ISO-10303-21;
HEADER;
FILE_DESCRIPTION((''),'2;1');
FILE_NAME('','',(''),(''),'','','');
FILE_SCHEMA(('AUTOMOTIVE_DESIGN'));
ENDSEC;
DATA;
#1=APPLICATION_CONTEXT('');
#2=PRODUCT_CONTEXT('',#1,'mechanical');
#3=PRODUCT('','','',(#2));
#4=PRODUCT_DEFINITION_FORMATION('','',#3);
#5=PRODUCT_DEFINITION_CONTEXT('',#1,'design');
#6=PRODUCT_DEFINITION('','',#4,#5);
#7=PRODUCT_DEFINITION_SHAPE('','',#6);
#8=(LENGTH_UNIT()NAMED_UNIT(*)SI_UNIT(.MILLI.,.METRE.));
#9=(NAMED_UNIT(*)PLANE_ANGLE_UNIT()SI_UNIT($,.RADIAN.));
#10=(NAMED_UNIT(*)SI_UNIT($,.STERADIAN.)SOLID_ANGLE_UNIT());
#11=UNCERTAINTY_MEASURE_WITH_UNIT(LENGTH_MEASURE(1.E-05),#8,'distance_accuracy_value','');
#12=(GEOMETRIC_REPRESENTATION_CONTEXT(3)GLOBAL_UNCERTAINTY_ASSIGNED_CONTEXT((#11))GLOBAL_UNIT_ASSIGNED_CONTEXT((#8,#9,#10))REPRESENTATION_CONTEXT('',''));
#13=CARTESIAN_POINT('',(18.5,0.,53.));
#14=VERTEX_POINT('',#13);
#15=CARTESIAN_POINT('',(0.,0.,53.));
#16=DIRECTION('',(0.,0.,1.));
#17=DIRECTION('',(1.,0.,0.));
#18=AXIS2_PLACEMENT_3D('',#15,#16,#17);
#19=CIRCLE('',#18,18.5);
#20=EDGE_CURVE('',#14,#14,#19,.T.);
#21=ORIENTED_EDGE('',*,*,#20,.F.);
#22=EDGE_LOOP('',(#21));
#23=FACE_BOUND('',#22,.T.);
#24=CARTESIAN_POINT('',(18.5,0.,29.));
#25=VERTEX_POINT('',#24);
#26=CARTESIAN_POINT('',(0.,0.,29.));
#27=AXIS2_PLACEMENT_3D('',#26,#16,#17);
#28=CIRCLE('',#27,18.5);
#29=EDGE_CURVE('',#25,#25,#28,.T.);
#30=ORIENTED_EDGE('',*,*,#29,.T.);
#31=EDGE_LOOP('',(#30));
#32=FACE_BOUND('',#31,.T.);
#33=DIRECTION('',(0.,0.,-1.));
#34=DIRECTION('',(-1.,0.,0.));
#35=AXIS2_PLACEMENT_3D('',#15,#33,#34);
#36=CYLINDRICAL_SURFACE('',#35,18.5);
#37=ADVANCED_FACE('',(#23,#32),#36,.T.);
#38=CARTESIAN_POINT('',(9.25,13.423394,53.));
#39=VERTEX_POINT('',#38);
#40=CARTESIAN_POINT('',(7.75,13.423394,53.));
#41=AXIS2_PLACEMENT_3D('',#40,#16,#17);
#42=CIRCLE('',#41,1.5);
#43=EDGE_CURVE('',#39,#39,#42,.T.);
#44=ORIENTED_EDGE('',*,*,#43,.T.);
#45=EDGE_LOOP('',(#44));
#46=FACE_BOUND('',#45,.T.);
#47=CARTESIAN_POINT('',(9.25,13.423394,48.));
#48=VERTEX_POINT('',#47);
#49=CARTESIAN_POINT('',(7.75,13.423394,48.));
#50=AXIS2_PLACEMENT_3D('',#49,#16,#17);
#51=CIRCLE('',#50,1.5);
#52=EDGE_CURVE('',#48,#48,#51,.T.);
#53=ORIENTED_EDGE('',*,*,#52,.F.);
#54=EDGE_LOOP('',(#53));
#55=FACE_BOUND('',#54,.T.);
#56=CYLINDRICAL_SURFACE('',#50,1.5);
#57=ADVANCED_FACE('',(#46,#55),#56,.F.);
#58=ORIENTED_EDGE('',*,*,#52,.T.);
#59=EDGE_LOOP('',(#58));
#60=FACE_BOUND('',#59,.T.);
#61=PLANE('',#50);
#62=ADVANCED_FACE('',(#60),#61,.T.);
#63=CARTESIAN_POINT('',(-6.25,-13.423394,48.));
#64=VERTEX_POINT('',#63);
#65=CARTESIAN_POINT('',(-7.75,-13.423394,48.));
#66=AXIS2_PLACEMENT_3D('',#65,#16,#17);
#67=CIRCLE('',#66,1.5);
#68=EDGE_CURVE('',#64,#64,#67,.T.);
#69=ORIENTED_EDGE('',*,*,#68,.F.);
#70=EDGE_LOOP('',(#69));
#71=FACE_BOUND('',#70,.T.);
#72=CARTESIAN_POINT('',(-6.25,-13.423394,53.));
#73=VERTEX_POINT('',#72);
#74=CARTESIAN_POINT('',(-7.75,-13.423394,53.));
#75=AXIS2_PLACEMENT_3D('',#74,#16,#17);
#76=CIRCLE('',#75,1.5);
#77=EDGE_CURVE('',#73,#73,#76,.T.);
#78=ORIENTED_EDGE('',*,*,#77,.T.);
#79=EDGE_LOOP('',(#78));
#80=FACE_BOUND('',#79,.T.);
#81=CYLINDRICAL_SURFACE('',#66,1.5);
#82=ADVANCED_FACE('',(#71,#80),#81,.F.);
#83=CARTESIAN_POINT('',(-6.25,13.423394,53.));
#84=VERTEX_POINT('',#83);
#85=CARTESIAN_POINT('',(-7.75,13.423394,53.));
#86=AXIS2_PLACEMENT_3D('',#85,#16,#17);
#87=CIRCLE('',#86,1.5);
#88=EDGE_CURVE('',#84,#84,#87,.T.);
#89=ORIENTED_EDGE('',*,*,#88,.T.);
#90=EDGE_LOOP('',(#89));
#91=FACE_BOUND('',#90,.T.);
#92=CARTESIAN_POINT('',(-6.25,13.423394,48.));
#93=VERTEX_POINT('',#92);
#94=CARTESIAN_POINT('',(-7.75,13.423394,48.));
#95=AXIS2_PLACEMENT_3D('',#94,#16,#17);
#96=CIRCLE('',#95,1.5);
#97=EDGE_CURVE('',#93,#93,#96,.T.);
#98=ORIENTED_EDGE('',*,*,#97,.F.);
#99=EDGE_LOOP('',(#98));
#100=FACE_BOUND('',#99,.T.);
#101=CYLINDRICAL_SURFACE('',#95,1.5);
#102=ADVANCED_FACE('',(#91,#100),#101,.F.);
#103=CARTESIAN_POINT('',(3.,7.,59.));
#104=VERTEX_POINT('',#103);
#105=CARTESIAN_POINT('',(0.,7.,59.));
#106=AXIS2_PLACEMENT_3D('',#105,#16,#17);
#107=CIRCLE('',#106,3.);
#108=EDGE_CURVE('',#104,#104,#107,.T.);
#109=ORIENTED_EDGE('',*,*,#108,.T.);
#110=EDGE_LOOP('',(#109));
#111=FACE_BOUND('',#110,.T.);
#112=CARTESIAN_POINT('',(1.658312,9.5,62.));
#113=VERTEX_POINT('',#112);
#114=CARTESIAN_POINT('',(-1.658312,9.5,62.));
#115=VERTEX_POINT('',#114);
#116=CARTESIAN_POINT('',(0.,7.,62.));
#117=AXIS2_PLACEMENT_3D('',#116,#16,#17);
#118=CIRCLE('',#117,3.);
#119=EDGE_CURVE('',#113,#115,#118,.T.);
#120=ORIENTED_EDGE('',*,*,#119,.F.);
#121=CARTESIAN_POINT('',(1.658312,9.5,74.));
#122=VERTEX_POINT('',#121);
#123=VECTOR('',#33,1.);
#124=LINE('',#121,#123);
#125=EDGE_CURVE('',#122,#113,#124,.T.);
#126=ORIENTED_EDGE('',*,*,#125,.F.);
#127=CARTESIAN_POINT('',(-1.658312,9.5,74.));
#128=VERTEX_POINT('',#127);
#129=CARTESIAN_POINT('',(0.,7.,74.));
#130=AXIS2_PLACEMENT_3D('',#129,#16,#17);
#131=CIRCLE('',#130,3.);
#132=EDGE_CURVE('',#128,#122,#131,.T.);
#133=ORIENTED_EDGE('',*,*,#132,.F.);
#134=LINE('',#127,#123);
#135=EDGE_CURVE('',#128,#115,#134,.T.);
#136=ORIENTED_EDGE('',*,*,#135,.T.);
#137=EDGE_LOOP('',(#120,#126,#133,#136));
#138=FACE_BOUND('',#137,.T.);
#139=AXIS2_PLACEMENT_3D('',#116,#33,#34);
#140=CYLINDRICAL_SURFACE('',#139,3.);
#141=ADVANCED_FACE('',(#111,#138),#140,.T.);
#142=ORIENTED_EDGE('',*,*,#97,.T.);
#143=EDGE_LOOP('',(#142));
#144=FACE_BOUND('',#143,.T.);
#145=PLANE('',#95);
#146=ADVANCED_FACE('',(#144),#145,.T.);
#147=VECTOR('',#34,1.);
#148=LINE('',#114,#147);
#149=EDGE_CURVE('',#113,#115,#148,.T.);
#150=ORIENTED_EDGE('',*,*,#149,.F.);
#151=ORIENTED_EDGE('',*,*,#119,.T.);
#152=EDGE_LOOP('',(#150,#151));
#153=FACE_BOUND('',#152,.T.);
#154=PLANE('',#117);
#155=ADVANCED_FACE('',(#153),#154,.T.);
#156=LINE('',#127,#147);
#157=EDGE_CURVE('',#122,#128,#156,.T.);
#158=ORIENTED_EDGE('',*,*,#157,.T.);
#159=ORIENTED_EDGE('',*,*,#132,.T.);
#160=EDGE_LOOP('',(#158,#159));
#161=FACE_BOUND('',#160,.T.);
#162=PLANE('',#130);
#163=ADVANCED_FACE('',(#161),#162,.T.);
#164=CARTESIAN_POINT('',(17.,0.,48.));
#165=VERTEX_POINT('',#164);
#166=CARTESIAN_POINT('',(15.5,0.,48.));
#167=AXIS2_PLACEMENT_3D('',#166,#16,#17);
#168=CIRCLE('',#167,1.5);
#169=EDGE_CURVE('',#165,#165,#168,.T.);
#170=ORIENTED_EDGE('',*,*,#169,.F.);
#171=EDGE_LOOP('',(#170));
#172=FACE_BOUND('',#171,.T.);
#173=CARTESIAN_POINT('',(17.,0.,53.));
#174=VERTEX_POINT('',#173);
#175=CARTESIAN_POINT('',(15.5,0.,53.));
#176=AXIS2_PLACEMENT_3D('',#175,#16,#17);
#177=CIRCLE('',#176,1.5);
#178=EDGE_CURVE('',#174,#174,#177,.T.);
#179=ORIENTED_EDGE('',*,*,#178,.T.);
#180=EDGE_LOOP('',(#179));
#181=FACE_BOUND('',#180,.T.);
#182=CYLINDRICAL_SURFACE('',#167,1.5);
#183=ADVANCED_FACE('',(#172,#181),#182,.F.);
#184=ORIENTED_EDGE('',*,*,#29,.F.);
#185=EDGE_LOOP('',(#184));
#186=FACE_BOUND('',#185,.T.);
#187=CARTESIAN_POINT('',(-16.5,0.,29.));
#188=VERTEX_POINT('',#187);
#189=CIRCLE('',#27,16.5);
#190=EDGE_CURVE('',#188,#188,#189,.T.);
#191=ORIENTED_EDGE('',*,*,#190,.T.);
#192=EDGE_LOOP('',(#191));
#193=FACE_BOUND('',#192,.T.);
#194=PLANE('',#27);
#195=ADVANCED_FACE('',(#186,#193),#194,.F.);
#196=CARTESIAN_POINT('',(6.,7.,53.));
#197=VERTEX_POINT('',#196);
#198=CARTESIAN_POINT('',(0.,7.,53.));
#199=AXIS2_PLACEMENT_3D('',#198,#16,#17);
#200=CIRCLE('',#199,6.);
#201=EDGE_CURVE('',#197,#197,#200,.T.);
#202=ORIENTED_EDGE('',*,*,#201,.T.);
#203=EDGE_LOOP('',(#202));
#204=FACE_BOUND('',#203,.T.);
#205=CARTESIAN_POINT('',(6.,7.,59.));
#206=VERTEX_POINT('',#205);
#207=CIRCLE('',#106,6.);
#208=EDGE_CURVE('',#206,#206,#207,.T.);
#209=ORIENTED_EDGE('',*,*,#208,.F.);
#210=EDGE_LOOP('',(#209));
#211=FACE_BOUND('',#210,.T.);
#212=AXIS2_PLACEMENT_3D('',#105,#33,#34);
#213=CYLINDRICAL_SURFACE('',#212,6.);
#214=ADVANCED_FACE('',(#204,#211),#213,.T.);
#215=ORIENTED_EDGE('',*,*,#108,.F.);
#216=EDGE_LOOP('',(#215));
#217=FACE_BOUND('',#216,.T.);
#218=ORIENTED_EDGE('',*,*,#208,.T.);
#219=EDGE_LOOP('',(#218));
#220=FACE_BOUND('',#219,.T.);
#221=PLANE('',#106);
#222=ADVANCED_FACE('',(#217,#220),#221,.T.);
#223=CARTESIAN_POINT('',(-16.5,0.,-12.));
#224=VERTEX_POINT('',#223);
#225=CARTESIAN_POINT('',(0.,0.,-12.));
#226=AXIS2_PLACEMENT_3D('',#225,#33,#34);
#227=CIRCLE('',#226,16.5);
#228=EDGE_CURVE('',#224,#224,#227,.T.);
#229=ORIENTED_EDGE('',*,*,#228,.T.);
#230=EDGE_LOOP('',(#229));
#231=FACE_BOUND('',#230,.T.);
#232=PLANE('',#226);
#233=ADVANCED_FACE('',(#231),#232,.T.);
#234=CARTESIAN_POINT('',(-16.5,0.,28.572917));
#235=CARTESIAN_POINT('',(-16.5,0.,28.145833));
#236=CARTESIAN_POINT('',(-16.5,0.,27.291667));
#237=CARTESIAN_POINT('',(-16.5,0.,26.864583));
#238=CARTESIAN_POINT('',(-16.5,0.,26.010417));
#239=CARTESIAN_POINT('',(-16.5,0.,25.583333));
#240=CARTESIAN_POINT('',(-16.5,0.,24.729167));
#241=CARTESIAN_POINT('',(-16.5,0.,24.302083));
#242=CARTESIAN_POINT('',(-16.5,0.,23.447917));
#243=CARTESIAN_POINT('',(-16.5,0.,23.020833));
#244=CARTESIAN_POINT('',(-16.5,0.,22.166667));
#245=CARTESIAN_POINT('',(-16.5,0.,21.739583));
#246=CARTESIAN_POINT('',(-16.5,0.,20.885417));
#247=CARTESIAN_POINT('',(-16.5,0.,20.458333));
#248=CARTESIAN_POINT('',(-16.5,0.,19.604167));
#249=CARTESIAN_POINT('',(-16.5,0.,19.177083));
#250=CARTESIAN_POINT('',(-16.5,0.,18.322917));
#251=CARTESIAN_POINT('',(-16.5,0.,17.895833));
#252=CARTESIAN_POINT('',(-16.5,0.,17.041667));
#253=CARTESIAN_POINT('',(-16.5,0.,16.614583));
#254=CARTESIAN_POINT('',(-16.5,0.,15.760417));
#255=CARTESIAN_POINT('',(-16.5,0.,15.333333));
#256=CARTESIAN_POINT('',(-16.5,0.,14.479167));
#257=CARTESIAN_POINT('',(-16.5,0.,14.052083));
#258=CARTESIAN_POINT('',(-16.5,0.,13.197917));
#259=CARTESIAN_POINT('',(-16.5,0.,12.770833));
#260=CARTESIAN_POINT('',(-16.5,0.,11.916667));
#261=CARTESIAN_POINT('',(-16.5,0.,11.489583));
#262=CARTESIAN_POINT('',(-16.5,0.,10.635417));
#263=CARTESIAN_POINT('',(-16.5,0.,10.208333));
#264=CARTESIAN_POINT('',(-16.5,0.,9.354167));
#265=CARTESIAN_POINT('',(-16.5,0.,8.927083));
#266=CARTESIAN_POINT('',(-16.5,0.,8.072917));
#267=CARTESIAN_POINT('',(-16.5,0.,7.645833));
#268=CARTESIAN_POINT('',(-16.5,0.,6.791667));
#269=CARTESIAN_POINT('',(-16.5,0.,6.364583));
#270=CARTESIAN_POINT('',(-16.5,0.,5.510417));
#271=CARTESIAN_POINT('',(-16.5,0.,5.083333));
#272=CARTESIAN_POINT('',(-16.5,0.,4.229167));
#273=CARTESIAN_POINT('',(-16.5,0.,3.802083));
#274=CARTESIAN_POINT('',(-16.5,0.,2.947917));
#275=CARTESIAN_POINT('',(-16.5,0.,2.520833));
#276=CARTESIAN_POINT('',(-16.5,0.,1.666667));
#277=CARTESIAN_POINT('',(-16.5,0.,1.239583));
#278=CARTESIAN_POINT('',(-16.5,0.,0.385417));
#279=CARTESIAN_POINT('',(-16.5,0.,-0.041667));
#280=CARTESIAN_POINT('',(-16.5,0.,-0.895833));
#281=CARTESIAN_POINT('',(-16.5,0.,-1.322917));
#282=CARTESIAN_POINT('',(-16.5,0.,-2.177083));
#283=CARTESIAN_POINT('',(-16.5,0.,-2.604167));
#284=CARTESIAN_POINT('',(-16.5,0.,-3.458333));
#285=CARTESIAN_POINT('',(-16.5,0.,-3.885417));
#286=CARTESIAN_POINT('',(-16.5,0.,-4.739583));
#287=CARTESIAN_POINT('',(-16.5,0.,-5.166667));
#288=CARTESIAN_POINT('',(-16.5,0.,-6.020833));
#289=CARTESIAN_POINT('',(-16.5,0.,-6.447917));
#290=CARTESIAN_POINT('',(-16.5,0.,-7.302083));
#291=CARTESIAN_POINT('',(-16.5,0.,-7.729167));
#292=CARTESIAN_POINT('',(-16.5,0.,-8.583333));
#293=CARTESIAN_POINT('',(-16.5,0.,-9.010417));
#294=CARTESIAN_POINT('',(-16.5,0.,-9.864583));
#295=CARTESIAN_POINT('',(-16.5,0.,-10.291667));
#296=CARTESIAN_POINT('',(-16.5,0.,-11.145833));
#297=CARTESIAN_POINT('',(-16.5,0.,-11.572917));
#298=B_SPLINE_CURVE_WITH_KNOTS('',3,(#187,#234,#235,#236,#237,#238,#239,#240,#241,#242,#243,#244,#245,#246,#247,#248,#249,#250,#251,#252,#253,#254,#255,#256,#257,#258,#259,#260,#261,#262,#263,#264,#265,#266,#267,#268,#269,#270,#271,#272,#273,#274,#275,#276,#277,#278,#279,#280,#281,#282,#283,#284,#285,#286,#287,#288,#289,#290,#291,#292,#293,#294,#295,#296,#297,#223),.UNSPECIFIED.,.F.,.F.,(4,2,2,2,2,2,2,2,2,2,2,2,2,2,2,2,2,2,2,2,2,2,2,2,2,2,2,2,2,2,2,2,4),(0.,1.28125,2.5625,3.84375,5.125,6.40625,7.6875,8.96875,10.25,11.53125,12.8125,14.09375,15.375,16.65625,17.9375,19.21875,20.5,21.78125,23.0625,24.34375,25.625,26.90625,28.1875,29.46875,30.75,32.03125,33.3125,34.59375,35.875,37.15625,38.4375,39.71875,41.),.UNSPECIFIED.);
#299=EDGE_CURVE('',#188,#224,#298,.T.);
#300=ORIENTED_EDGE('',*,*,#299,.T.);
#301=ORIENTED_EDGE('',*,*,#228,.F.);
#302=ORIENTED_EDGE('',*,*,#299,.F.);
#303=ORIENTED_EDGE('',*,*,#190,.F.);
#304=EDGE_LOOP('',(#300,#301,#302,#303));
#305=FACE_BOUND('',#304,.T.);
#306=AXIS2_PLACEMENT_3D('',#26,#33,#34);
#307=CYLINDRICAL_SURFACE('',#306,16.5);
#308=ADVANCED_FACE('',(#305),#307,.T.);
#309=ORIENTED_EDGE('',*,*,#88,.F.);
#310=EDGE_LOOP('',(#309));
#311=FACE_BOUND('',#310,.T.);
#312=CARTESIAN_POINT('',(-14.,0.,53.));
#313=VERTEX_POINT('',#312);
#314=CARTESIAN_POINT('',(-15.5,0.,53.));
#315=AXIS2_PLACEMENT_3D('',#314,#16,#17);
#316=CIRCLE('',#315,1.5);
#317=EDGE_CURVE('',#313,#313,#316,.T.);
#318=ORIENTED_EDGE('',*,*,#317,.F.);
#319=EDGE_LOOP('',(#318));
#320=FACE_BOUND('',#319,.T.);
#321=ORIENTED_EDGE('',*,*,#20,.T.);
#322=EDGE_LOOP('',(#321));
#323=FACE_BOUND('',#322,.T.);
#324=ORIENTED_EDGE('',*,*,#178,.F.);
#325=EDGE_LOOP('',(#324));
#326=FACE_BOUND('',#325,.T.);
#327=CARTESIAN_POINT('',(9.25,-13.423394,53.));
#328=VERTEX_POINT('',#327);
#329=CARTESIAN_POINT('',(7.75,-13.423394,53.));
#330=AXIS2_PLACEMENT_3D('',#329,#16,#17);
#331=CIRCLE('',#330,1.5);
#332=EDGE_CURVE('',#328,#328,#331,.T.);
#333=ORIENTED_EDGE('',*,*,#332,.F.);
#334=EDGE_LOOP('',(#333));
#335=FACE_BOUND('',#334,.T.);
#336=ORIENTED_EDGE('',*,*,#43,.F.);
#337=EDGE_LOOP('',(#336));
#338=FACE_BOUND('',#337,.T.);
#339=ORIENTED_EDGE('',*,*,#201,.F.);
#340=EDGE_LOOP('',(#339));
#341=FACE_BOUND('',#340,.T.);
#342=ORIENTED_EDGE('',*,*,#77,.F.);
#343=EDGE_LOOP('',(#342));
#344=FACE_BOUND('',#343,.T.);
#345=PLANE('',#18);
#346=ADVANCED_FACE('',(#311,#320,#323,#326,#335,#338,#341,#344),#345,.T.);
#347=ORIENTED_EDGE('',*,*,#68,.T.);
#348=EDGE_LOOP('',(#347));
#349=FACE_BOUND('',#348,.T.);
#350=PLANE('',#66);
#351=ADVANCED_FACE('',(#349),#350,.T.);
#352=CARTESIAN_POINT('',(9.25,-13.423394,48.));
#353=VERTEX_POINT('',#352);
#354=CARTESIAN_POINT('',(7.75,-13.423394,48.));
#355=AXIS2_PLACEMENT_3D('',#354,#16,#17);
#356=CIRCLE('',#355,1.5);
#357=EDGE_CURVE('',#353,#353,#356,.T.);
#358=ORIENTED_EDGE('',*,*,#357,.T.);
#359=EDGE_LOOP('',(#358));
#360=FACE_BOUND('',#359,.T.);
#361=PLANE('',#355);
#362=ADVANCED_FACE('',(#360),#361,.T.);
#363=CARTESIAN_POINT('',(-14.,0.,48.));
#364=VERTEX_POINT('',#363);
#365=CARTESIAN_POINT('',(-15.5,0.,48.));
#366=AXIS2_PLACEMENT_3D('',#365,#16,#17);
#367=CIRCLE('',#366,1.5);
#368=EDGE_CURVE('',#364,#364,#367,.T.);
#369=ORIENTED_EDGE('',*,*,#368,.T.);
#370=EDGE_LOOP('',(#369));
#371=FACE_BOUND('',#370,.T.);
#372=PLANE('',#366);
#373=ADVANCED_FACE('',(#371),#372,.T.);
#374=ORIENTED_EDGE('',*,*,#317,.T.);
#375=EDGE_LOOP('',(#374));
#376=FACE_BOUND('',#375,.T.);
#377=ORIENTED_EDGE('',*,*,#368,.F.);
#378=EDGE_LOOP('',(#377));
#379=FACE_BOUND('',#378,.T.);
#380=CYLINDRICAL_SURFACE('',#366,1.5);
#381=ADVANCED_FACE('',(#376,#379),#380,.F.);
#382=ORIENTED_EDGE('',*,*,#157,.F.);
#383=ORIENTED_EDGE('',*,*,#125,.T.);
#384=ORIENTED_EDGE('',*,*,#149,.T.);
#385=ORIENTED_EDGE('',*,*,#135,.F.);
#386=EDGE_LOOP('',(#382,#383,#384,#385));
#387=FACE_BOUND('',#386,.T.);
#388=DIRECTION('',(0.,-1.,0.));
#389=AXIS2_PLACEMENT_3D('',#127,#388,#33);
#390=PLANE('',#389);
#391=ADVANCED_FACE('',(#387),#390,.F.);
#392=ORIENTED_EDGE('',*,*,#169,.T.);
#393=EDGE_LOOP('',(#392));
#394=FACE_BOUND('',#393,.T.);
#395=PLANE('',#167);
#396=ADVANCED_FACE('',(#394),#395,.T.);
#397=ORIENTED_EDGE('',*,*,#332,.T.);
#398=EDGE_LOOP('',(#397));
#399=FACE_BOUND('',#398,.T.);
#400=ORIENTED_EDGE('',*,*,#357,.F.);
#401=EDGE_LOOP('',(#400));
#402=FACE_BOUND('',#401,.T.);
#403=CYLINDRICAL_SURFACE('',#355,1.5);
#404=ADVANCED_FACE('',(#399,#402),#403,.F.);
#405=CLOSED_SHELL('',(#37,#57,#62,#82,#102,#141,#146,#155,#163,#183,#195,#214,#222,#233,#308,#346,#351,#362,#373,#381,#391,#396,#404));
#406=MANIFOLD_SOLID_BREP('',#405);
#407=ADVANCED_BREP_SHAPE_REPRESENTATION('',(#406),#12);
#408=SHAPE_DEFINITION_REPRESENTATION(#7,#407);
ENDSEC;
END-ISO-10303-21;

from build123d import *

# Parameters (mm, degrees)
SKETCH1_R           = 16.5
BOSS_EXTRUDE1_DEPTH = 29
SKETCH2_R           = 18.5
BOSS_EXTRUDE2_DEPTH = 24
SKETCH3_R           = 6
BOSS_EXTRUDE3_DEPTH = 6
SKETCH4_R           = 3
BOSS_EXTRUDE5_DEPTH = 3
BOSS_EXTRUDE6_DEPTH = 12
BOSS_EXTRUDE8_START = 12
SKETCH6_R           = 16.5
BOSS_EXTRUDE8_DEPTH = 12
SKETCH7_R           = 1.5
CUT_EXTRUDE1_DEPTH  = 5


with BuildPart() as part:
    # Sketch1 → Boss-Extrude1 (new body)
    with BuildSketch(Plane.XY):
        with Locations(Location((0, 0, 0), (0, 0, 180))):
            Circle(SKETCH1_R)
    extrude(amount=BOSS_EXTRUDE1_DEPTH)

    # Sketch2 → Boss-Extrude2 (add)
    with BuildSketch(Plane.XY.offset(29)):
        Circle(SKETCH2_R)
    extrude(amount=BOSS_EXTRUDE2_DEPTH)

    # Sketch3 → Boss-Extrude3 (add)
    with BuildSketch(Plane.XY.offset(53)):
        with Locations((0, 7)):
            Circle(SKETCH3_R)
    extrude(amount=BOSS_EXTRUDE3_DEPTH)

    # Sketch4 → Boss-Extrude5 (add)
    with BuildSketch(Plane.XY.offset(59)):
        with Locations((0, 7)):
            Circle(SKETCH4_R)
    extrude(amount=BOSS_EXTRUDE5_DEPTH)

    # Sketch5 → Boss-Extrude6 (add)
    with BuildSketch(Plane.XY.offset(62)):
        with BuildLine():
            Line((-1.658312395, 9.5), (1.658312395, 9.5))
            ThreePointArc((1.658312395, 9.5), (0, 4), (-1.658312395, 9.5))
        make_face()
    extrude(amount=BOSS_EXTRUDE6_DEPTH)

    # Sketch6 → Boss-Extrude8 (add)
    with BuildSketch(Plane(origin=(0, 0, 0), x_dir=(-1, 0, 0), z_dir=(0, 0, -1)).offset(BOSS_EXTRUDE8_START)):
        Circle(SKETCH6_R)
    extrude(amount=-BOSS_EXTRUDE8_DEPTH)

    # Sketch7 → Cut-Extrude1 (cut)
    with BuildSketch(Plane.XY.offset(53)):
        with Locations((-15.5, 0)):
            Circle(SKETCH7_R)
        with Locations((7.75, 13.423393759)):
            Circle(SKETCH7_R)
        with Locations((7.75, -13.423393759)):
            Circle(SKETCH7_R)
        with Locations((15.5, 0)):
            Circle(SKETCH7_R)
        with Locations((-7.75, -13.423393759)):
            Circle(SKETCH7_R)
        with Locations((-7.75, 13.423393759)):
            Circle(SKETCH7_R)
    extrude(amount=-CUT_EXTRUDE1_DEPTH, mode=Mode.SUBTRACT)


solid = part.part
